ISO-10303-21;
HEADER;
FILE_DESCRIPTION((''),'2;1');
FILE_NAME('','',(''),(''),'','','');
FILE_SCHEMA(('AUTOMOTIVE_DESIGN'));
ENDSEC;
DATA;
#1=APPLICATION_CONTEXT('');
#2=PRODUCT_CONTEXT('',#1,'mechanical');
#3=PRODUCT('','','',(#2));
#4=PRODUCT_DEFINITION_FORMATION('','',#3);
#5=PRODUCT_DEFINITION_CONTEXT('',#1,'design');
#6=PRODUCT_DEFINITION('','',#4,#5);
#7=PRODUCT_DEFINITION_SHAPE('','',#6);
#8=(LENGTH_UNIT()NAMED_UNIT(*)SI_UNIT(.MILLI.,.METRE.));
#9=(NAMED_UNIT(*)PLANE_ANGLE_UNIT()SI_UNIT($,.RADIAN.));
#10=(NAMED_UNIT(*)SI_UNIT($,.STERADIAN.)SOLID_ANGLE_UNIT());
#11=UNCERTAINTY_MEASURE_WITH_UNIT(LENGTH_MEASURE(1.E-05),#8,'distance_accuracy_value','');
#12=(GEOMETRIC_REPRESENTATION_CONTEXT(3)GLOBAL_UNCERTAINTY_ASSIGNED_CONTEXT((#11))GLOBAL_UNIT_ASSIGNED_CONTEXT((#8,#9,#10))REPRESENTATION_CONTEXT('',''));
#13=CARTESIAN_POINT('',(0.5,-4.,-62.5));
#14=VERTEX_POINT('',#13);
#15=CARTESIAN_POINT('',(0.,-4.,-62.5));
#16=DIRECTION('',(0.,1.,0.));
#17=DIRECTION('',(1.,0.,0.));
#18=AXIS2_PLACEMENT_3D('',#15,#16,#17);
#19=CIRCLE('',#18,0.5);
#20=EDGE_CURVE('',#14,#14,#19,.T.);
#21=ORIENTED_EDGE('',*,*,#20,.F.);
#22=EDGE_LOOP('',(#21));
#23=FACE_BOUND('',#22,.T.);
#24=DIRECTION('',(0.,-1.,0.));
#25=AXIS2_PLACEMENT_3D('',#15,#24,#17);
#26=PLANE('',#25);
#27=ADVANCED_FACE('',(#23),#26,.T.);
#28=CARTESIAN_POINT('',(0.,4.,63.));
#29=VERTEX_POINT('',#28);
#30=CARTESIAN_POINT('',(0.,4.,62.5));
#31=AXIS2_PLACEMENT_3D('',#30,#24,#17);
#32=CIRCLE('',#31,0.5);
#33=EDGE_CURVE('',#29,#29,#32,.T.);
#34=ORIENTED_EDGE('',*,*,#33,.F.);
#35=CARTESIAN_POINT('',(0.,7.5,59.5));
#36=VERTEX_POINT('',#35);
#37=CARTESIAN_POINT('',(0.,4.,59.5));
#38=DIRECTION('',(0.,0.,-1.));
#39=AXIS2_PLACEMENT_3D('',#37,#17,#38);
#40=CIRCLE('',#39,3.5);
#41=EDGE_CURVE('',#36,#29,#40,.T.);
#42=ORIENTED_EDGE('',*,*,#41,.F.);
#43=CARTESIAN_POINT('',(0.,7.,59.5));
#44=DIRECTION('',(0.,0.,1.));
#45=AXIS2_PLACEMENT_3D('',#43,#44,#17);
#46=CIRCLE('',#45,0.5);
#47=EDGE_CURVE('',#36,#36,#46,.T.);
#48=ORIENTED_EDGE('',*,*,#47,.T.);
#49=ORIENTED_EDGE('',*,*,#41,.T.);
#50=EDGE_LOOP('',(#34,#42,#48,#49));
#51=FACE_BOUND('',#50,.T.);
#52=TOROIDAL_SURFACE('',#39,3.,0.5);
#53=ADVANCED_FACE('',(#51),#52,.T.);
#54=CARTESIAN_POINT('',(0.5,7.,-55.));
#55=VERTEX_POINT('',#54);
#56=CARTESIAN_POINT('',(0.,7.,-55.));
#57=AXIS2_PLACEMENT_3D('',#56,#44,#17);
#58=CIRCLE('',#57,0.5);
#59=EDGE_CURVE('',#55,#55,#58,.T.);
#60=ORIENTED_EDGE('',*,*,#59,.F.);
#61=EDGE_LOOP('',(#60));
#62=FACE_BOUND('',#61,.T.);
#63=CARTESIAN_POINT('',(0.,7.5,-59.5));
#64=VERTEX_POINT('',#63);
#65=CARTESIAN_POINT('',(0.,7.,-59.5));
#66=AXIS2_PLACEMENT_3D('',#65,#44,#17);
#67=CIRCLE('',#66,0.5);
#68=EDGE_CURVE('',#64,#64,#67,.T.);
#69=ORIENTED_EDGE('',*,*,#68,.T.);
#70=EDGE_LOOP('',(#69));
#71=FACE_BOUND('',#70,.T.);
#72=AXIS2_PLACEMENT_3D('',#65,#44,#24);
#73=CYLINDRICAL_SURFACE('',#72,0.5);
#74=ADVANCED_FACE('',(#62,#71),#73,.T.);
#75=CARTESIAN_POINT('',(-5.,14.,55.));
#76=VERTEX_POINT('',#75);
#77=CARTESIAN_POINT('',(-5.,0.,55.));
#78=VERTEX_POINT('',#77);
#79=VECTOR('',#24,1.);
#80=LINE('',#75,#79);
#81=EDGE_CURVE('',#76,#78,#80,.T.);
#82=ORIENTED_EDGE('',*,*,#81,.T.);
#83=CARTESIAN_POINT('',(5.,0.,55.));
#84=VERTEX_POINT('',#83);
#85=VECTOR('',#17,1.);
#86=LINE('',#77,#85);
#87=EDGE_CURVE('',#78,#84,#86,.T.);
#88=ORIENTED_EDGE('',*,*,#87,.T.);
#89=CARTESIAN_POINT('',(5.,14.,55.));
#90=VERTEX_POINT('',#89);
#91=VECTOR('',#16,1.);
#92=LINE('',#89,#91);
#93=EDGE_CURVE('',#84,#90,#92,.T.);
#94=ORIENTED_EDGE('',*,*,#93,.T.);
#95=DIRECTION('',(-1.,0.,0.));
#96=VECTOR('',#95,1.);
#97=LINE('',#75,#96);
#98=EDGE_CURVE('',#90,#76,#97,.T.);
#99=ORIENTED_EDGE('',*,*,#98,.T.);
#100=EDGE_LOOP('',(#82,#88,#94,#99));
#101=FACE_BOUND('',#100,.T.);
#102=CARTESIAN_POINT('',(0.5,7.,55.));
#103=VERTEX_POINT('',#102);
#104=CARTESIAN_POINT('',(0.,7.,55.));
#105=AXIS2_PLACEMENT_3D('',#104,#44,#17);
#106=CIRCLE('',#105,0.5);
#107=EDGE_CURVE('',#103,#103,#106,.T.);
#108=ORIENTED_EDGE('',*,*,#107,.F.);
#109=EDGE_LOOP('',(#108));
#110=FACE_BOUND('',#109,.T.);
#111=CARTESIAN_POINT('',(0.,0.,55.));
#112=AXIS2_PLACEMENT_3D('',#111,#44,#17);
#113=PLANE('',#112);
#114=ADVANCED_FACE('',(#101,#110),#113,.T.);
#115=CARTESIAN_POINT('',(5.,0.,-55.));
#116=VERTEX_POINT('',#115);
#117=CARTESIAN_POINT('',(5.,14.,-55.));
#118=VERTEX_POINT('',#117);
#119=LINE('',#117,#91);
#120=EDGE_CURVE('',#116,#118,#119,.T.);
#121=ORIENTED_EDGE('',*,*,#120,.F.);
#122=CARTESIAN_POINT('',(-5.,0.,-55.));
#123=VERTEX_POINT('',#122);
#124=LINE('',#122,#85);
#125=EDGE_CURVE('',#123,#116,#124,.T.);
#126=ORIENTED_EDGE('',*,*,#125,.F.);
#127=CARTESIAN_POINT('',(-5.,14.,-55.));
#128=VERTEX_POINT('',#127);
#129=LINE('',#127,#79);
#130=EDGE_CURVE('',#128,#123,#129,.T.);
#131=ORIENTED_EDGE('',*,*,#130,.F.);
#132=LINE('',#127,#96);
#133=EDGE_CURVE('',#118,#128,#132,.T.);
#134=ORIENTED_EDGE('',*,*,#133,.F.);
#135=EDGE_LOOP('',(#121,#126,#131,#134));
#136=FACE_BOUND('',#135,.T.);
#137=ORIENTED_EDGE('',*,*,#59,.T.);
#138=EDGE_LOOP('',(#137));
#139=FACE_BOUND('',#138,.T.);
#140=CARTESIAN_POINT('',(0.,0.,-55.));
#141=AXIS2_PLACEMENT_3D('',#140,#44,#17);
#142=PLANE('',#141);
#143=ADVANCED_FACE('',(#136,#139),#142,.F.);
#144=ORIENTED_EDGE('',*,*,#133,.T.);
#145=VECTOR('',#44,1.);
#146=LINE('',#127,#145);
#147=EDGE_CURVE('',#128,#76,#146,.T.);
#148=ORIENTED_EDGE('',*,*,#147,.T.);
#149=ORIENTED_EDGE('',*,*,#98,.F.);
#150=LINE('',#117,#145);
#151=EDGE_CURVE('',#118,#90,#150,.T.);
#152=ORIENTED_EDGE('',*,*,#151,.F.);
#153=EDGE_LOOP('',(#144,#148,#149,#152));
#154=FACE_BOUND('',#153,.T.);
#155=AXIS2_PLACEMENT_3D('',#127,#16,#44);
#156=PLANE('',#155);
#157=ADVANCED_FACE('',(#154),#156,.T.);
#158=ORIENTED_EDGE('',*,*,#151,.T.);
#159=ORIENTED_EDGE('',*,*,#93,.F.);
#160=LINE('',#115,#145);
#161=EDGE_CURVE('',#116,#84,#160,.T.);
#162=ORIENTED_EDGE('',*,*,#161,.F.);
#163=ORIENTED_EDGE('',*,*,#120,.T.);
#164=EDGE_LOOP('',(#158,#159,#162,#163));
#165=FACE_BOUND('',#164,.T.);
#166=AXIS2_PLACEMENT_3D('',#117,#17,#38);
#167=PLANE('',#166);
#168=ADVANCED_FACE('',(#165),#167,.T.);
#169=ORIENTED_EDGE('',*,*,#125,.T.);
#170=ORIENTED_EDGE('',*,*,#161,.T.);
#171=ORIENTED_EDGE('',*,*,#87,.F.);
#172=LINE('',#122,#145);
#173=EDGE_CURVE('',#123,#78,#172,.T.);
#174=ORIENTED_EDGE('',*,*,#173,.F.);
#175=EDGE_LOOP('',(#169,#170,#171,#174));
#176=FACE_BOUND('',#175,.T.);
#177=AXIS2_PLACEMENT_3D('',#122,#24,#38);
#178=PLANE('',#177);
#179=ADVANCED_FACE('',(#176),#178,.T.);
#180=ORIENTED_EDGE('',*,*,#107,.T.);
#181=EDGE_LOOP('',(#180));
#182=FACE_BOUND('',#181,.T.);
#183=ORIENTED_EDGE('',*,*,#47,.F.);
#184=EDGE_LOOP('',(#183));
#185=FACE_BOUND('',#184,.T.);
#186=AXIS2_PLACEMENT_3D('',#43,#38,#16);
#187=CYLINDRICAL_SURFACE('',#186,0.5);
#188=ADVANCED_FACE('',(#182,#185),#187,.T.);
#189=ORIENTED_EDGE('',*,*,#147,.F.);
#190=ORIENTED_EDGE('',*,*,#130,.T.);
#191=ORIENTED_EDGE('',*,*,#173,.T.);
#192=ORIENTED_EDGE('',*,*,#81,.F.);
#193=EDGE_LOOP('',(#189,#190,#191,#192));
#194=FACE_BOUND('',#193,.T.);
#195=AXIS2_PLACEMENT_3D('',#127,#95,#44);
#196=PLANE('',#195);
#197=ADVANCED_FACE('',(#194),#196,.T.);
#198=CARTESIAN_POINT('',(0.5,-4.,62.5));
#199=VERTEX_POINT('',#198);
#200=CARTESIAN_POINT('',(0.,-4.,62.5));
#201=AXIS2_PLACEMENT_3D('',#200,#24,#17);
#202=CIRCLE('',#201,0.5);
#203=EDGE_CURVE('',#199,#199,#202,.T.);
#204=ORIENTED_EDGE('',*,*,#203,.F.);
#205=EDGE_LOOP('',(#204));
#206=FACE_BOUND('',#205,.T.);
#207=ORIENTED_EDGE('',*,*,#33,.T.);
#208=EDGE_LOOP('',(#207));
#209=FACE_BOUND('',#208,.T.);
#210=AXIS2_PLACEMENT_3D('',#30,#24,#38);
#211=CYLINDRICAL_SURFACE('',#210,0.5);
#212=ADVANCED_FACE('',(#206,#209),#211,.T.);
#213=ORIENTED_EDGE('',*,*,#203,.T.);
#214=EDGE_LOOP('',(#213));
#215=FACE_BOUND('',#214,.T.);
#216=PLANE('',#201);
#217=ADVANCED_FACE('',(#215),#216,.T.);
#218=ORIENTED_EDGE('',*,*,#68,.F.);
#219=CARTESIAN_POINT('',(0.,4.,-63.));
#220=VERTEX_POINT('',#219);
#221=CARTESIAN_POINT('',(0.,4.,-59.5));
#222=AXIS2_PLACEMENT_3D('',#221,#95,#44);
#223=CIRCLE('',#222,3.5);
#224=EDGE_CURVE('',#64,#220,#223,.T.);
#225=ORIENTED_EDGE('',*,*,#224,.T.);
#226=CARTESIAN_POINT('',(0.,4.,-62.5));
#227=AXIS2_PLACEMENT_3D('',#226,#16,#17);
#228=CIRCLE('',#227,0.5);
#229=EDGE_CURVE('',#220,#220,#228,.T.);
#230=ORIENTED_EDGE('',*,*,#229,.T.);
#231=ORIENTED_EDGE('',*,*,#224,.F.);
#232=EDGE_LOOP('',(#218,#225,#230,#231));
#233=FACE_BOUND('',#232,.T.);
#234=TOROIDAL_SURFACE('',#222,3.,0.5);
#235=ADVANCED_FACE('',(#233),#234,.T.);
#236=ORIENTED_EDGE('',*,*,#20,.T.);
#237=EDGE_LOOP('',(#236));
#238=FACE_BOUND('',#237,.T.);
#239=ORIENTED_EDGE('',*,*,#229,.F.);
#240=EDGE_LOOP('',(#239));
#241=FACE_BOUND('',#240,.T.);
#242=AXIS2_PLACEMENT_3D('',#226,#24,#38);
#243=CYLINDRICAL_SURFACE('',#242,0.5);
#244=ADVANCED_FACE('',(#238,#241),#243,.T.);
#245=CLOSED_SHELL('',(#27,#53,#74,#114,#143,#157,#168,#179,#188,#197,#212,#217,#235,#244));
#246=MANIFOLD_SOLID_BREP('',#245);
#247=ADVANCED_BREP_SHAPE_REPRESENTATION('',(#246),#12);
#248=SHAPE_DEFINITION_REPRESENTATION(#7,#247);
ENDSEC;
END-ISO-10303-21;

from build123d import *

# Parameters (mm, degrees)
SKETCH_1_W      = 10
SKETCH_1_H      = 14
EXTRUDE_1_DEPTH = 55
SKETCH_3_R      = 0.5


with BuildPart() as part:
    # Эскиз1 → Бобышка-Вытянуть1 (new, symmetric)
    with BuildSketch(Plane.XY):
        with Locations((0, 7)):
            Rectangle(SKETCH_1_W, SKETCH_1_H)
    extrude(amount=EXTRUDE_1_DEPTH, both=True)

    # По траектории1: sweep along a path in Эскиз4
    with BuildLine(Plane(origin=(0, 0, 0), x_dir=(0, 0, -1), z_dir=(1, 0, 0))) as sweep_1_path:
        Line((-62.5, -4), (-62.5, 4))
        ThreePointArc((-62.5, 4), (-61.621320344, 6.121320344), (-59.5, 7))
        Line((-59.5, 7), (-55, 7))
    # Эскиз3 → По траектории1 (sweep)
    with BuildSketch(Plane.XY.offset(55)):
        with Locations((0, 7)):
            Circle(SKETCH_3_R)
    sweep_1 = sweep(path=sweep_1_path.line)

    # Зеркальное отражение1: По траектории1 across plane
    add(sweep_1.mirror(Plane.XY))


solid = part.part
